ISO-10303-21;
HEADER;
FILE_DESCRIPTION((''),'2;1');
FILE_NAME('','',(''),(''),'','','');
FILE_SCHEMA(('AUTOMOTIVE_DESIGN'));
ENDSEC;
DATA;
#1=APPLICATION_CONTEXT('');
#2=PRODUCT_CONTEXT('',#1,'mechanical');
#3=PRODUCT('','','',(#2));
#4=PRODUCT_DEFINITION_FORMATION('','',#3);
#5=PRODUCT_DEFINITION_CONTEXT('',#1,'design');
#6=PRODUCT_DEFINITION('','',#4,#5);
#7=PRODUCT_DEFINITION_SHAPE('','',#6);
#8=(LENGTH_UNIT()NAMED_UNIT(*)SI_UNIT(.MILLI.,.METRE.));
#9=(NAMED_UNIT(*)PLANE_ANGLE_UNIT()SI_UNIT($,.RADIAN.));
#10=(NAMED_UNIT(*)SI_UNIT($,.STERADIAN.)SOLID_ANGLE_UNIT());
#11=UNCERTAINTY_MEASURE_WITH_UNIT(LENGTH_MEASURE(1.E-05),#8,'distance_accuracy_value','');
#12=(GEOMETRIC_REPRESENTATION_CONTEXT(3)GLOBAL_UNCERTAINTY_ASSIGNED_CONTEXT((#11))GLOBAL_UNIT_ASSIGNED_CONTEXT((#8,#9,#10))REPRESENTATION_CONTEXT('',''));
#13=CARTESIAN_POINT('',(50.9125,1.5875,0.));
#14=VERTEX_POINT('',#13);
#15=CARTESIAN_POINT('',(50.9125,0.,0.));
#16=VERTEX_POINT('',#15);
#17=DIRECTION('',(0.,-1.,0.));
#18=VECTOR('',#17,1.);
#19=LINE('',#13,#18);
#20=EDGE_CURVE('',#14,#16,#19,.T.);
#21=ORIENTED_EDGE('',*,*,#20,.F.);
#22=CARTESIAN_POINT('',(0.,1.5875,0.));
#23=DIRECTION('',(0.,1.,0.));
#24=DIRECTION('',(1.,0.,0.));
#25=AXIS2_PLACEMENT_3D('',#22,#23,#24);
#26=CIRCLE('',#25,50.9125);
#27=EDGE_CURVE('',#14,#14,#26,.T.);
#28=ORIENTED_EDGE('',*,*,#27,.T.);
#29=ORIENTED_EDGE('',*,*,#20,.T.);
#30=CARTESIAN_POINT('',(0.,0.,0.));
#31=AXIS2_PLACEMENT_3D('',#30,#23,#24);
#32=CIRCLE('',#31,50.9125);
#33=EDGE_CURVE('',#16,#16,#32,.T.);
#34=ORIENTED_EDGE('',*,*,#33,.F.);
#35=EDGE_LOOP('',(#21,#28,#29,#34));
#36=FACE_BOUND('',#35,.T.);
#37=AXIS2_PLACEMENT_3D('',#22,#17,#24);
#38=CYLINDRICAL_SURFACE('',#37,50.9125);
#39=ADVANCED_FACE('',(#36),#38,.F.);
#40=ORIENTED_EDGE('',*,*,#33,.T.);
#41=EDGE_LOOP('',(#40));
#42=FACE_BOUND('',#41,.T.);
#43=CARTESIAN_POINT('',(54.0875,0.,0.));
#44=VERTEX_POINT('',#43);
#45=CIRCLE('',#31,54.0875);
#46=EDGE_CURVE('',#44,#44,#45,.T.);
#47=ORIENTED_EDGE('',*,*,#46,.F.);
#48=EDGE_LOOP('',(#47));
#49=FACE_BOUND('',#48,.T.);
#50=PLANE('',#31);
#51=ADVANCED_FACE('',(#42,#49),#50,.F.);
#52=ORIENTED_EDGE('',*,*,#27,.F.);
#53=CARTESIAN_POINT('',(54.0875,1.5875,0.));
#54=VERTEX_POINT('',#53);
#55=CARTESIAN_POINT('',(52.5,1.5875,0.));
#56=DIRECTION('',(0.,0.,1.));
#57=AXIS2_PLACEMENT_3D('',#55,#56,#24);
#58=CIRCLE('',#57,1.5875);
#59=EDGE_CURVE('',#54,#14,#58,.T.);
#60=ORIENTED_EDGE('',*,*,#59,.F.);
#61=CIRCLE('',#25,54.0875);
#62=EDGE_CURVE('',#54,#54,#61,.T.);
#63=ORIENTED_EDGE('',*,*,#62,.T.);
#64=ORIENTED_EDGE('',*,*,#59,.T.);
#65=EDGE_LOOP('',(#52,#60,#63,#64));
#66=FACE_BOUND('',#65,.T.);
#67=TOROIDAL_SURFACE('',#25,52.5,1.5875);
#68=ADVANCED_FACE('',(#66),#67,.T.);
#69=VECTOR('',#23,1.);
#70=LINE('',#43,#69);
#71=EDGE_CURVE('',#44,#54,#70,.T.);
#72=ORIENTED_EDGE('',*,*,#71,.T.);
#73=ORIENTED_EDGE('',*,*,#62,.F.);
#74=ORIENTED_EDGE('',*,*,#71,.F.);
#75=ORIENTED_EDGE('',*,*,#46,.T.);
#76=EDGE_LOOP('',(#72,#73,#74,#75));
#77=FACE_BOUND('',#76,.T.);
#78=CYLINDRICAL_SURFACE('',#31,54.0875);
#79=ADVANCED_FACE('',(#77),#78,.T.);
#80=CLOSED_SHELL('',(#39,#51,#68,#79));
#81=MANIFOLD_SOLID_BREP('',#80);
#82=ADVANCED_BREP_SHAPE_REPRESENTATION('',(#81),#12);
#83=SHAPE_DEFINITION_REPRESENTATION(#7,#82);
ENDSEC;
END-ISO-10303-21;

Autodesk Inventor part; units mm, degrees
ref_plane "YZ Plane" through (0, 0, 0) normal (1, 0, 0) x (0, 1, 0)
ref_plane "XZ Plane" through (0, 0, 0) normal (0, 1, 0) x (-1, 0, 0)
ref_plane "XY Plane" through (0, 0, 0) normal (0, 0, 1) x (1, 0, 0)
sketch "Sketch1" plane through (0, 0, 0) normal (0, 0, 1) x (1, 0, 0)
  line L0 (0, 0) -> (0, 19.685)
  line L1 (50.9125, 0) -> (54.0875, 0)
  line L2 (54.0875, 0) -> (54.0875, 1.5875)
  line L3 (50.9125, 1.5875) -> (50.9125, 0)
  arc A0 (54.0875, 1.5875) -> (50.9125, 1.5875) centre (52.5, 1.5875) ccw
  point P0 (52.5, 3.175)
  dimension "d0" = 3.175
  dimension "d1" = 105
  dimension "d3" = 3.175
revolve "Revolution1" add sketch "Sketch1" angle 360 about axis through (0, 0, 0) along (0, 1, 0)
properties part number "o-ring"
